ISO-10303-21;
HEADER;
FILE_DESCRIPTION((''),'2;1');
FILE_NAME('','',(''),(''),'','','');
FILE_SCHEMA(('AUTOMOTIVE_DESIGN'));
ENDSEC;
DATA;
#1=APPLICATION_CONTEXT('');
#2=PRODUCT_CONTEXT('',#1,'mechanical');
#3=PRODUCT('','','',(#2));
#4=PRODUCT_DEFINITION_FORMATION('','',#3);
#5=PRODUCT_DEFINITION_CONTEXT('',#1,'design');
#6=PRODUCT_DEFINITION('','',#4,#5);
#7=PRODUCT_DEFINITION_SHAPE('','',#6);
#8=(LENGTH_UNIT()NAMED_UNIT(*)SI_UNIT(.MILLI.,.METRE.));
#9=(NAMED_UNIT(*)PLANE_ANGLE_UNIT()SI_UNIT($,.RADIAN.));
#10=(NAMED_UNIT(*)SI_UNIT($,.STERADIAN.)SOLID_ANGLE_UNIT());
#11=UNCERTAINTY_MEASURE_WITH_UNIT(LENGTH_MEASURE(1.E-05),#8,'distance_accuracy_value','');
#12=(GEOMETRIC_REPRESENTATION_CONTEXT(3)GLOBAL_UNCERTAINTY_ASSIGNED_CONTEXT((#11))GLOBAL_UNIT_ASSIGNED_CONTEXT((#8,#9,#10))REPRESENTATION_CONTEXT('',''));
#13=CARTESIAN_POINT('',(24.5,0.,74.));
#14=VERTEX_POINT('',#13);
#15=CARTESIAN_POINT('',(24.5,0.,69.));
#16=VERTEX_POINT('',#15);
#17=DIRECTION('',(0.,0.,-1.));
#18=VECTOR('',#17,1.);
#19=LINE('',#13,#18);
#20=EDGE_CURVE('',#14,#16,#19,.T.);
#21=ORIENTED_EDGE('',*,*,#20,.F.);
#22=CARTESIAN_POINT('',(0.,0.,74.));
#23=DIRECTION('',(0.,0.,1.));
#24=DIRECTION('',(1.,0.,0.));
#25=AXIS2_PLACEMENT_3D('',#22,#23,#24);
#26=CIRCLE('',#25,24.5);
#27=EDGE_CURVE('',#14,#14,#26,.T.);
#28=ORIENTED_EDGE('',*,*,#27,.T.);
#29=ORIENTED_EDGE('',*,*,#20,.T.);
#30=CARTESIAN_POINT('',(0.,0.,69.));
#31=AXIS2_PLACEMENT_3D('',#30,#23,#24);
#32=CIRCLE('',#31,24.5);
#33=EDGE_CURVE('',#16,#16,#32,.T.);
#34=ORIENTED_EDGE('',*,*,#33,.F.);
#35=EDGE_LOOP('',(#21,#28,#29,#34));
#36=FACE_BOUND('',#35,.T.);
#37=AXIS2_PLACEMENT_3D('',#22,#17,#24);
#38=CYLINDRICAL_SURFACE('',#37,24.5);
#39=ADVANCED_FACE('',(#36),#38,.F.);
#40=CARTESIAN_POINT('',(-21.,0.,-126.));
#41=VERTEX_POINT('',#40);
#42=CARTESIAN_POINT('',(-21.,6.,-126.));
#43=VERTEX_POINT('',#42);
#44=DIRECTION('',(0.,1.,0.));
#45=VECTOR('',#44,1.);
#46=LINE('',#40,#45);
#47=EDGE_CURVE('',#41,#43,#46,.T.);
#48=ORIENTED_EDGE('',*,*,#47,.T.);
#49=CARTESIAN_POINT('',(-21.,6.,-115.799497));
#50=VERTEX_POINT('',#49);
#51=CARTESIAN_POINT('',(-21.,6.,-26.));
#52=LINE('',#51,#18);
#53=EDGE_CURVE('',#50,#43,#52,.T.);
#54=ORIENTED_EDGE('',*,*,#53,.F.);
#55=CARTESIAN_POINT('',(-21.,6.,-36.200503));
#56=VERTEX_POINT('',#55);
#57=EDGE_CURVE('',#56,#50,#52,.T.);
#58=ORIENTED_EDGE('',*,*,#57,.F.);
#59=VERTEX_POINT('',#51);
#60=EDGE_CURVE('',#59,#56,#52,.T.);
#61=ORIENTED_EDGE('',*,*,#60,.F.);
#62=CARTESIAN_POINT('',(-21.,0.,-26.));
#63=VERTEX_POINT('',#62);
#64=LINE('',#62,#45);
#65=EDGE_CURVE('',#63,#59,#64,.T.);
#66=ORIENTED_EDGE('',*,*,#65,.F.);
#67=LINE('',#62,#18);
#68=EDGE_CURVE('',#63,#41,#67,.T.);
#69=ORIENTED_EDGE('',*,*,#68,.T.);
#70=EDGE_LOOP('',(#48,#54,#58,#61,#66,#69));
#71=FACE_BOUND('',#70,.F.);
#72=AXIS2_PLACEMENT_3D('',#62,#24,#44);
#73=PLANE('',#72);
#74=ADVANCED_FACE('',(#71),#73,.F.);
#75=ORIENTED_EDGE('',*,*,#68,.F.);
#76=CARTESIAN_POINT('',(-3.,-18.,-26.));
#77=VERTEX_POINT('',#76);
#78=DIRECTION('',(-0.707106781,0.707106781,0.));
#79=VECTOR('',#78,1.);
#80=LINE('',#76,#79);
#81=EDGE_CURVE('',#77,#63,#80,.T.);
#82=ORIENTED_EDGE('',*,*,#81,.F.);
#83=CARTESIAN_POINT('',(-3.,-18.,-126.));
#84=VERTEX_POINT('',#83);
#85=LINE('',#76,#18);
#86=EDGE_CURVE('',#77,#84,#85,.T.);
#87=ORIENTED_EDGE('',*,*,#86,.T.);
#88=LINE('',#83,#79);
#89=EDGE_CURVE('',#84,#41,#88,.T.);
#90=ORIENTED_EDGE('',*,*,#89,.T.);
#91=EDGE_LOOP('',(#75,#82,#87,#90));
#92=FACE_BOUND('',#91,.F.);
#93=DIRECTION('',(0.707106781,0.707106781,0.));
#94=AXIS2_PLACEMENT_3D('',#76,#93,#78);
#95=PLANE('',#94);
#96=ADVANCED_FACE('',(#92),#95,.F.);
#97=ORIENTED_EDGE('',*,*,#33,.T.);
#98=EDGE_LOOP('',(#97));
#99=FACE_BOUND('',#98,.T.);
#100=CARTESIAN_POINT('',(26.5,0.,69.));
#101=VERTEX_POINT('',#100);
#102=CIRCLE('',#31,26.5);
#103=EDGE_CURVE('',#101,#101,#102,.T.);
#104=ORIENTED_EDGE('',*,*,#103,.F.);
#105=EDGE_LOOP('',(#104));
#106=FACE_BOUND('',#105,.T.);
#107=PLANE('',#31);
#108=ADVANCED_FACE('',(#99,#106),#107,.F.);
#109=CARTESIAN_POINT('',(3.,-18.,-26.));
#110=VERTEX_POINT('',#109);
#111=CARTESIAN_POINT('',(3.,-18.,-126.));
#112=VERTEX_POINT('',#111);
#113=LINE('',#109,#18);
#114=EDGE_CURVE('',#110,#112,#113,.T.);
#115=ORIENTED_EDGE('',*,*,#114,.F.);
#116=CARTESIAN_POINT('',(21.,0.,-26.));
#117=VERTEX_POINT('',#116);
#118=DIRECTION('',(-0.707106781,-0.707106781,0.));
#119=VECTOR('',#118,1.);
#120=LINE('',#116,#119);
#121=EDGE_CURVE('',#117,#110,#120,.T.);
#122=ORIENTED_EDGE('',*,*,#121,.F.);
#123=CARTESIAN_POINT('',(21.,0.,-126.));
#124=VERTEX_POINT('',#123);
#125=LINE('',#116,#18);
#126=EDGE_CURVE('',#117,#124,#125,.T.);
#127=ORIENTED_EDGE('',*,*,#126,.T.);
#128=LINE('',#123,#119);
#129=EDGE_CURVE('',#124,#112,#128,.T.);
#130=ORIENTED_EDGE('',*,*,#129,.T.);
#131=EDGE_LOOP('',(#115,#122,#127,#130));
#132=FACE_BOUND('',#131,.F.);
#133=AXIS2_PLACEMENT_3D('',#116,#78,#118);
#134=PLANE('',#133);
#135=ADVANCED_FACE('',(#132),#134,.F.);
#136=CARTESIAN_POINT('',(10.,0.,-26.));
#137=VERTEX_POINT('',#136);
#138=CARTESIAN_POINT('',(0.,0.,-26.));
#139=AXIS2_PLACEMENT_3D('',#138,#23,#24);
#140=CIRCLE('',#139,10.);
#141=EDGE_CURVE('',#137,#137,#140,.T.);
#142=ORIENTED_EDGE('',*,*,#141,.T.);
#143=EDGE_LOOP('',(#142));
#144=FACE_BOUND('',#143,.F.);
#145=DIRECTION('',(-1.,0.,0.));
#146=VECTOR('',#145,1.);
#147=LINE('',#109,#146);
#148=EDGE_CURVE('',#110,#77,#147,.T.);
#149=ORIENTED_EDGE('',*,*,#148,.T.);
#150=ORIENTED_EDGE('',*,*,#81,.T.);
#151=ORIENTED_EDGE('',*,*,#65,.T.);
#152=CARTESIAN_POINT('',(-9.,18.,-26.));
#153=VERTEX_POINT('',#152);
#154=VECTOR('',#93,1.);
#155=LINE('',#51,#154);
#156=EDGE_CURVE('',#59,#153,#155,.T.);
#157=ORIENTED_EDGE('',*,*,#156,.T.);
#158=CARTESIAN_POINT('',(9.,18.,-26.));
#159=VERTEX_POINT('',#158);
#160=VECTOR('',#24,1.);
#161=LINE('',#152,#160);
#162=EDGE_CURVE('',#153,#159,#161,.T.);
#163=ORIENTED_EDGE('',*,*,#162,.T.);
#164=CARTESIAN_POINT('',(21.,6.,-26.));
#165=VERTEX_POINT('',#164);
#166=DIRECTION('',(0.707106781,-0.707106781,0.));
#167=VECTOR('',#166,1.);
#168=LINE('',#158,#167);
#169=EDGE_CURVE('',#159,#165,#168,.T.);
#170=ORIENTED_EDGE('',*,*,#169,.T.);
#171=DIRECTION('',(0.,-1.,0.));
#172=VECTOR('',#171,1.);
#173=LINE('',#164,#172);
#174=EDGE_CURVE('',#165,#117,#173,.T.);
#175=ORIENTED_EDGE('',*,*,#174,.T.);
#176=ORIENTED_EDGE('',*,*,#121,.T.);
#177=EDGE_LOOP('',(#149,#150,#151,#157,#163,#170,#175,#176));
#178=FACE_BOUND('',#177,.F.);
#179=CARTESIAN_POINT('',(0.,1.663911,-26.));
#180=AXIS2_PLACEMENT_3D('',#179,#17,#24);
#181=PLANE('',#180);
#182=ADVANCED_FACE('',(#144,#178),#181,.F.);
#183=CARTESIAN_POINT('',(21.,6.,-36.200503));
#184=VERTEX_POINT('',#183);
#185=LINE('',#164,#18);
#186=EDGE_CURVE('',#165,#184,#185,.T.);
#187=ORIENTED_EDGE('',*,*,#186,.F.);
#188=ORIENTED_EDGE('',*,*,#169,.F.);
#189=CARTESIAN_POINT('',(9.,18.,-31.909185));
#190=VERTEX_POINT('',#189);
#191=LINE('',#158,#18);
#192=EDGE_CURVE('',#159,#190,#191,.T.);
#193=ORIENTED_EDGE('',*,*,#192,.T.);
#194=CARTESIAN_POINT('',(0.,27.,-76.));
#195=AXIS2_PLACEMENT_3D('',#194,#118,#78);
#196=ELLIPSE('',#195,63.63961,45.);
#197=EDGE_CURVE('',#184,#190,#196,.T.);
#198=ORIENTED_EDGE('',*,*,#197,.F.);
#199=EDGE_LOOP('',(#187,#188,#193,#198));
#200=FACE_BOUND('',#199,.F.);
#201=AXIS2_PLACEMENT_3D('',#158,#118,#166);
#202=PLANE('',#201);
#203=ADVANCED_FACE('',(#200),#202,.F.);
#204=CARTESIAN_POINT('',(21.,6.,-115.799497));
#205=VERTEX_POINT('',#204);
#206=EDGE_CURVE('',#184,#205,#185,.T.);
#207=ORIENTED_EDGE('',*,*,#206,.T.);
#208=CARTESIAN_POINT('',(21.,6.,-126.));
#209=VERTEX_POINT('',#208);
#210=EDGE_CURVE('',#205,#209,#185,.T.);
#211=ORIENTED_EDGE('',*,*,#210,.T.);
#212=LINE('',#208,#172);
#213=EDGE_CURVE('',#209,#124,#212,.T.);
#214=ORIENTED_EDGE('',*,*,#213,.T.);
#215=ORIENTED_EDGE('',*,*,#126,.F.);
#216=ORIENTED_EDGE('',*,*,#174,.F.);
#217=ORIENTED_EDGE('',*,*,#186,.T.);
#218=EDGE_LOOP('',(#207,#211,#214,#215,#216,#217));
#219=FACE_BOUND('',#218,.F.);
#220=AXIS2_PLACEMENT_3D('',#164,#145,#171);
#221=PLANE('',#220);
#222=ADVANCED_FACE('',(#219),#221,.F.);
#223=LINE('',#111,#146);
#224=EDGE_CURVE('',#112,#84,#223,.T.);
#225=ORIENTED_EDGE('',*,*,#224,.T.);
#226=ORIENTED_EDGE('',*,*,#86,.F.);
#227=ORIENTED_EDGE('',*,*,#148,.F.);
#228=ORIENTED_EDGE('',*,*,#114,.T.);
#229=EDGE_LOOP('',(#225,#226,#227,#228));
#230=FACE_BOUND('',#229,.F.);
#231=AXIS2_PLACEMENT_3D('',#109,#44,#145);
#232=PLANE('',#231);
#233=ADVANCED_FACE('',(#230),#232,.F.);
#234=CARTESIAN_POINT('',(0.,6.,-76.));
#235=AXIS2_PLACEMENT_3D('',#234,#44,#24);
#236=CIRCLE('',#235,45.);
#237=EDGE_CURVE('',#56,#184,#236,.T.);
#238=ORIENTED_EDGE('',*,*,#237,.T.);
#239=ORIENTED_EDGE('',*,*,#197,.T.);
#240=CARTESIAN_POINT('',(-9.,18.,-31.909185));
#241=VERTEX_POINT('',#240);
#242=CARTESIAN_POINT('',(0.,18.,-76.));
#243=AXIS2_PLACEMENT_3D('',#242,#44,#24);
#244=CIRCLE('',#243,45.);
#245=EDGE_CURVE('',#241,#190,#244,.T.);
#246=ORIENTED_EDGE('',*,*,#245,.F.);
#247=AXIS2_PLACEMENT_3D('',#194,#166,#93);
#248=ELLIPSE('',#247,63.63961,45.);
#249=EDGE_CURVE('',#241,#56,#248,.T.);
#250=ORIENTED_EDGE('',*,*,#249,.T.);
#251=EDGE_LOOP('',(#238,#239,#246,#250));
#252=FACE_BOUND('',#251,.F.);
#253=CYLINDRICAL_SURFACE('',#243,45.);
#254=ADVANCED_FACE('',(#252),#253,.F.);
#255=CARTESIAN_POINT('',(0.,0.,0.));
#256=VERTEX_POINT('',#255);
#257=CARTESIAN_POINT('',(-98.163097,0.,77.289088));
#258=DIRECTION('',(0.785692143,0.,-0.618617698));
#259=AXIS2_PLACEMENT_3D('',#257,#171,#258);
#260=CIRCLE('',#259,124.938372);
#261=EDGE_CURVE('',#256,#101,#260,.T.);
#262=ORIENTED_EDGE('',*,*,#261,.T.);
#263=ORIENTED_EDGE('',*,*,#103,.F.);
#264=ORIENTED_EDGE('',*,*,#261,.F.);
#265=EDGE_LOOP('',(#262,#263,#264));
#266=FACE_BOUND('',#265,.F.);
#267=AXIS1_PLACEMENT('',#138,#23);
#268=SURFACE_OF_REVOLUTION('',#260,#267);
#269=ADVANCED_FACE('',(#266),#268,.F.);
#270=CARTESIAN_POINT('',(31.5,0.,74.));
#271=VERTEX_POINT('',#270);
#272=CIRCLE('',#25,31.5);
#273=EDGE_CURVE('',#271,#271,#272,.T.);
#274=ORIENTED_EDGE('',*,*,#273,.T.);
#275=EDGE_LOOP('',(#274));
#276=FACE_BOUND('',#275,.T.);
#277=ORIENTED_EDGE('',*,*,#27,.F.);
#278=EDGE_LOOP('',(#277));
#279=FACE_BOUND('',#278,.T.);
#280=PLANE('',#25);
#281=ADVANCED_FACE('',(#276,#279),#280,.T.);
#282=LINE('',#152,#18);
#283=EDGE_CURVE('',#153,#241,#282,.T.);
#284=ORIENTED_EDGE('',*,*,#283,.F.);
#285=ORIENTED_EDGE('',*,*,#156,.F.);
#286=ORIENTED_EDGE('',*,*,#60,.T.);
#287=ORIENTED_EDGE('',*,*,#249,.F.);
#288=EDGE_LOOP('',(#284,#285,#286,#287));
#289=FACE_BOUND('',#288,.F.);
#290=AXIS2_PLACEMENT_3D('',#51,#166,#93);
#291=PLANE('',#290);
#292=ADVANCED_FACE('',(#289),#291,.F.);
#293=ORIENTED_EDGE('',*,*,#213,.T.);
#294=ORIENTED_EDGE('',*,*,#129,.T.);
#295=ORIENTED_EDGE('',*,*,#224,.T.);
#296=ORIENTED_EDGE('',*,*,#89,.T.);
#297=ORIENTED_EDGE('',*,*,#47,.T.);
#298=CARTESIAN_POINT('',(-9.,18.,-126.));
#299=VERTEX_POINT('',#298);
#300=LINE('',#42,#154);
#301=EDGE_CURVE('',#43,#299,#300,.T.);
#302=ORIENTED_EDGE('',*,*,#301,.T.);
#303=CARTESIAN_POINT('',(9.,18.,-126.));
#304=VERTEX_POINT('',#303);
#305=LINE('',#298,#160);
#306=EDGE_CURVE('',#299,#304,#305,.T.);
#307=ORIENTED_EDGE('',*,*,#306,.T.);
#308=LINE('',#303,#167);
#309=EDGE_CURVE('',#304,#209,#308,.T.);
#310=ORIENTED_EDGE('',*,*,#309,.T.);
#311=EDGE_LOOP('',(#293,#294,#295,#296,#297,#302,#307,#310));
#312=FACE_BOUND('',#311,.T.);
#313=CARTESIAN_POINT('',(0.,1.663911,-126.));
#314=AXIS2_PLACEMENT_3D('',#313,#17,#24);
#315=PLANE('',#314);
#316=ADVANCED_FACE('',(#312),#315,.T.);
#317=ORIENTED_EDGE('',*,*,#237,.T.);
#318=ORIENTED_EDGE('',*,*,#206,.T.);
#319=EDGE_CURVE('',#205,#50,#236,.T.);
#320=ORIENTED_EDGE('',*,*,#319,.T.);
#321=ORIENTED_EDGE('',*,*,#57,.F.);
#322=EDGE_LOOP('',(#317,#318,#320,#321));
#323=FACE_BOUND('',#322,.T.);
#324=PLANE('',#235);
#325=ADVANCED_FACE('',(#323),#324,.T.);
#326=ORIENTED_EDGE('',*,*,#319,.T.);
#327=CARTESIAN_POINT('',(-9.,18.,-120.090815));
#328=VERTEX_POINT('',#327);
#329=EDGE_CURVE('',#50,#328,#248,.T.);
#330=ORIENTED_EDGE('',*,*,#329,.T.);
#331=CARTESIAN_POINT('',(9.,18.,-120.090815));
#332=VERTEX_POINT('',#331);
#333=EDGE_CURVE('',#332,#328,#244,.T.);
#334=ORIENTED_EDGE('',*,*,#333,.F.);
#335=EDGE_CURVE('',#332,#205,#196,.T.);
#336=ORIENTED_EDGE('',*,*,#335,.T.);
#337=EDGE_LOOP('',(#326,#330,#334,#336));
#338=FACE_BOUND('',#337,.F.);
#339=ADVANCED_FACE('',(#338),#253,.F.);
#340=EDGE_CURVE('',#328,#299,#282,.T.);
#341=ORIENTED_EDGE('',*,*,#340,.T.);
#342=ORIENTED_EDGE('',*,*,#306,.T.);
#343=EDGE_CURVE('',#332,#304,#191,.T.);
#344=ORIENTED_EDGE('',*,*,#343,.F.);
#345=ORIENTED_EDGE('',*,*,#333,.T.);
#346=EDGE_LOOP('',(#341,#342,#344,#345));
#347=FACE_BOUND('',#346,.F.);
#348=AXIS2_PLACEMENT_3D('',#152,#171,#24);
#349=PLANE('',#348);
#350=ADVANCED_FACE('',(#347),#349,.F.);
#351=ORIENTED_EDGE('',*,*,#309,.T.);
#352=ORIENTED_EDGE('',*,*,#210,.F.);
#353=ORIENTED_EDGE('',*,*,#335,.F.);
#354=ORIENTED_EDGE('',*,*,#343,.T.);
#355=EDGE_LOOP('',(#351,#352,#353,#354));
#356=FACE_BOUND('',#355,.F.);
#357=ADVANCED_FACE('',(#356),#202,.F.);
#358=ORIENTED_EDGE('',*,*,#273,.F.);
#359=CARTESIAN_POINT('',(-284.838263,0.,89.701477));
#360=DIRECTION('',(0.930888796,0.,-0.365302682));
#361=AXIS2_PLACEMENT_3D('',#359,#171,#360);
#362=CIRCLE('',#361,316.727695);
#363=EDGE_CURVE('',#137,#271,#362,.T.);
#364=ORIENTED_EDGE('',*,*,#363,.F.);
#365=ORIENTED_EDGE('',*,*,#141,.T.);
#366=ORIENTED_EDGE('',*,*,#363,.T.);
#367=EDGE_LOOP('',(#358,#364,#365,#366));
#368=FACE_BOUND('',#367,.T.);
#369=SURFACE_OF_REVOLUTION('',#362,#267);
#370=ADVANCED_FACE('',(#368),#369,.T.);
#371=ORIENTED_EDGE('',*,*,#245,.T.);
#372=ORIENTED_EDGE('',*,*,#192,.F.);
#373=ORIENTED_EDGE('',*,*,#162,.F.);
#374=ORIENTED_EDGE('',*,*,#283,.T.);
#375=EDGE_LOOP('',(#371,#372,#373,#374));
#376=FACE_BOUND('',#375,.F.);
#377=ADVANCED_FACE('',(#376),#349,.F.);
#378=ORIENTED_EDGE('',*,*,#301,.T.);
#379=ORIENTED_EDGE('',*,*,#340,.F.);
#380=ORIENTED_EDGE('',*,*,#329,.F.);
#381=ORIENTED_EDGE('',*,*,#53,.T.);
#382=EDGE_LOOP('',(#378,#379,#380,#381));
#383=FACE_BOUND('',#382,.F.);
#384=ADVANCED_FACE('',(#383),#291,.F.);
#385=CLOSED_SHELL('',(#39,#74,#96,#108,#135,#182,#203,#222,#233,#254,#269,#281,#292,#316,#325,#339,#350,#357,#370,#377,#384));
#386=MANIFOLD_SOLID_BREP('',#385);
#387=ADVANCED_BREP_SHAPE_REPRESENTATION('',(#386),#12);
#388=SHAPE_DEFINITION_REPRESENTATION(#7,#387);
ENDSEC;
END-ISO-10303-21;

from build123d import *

# Parameters (mm, degrees)
PAD_DEPTH   = 100
SKETCH002_R = 45
HOLE_DEPTH  = 12


with BuildPart() as part:
    # Sketch → Revolution (revolve)
    with BuildSketch(Plane.XZ):
        with BuildLine():
            ThreePointArc((10, 0), (24.813455, 49.126357), (31.5, 100))
            Line((31.5, 100), (24.5, 100))
            Line((24.5, 100), (24.5, 95))
            Line((24.5, 95), (26.5, 95))
            ThreePointArc((0, 26), (18.469352, 58.495466), (26.5, 95))
            Line((0, 26), (0, 0))
            Line((0, 0), (10, 0))
        make_face()
    revolve(axis=Axis((0, 0, 0), (0, 0, 1)))

    # Sketch001 (on Face1 of Revolution) → Pad (new body)
    with BuildSketch(Plane(origin=(0, 0, 0), x_dir=(1, 0, 0), z_dir=(0, 0, -1))):
        Polygon((-3, 18), (-21, 0), (-21, -6), (-9, -18), (9, -18), (21, -6), (21, 0), (3, 18), align=None)
    extrude(amount=PAD_DEPTH)

    # Sketch002 (on Face9 of Pad) → Hole (cut)
    with BuildSketch(Plane(origin=(0, 18, 0), x_dir=(1, 0, 0), z_dir=(0, 1, 0))):
        with Locations((0, 50)):
            Circle(SKETCH002_R)
    extrude(amount=-HOLE_DEPTH, mode=Mode.SUBTRACT)


with BuildPart() as part_1:
    # Body placement: moved
    add(part.part.moved(Location((0, 0, -26))))


solid = part_1.part
